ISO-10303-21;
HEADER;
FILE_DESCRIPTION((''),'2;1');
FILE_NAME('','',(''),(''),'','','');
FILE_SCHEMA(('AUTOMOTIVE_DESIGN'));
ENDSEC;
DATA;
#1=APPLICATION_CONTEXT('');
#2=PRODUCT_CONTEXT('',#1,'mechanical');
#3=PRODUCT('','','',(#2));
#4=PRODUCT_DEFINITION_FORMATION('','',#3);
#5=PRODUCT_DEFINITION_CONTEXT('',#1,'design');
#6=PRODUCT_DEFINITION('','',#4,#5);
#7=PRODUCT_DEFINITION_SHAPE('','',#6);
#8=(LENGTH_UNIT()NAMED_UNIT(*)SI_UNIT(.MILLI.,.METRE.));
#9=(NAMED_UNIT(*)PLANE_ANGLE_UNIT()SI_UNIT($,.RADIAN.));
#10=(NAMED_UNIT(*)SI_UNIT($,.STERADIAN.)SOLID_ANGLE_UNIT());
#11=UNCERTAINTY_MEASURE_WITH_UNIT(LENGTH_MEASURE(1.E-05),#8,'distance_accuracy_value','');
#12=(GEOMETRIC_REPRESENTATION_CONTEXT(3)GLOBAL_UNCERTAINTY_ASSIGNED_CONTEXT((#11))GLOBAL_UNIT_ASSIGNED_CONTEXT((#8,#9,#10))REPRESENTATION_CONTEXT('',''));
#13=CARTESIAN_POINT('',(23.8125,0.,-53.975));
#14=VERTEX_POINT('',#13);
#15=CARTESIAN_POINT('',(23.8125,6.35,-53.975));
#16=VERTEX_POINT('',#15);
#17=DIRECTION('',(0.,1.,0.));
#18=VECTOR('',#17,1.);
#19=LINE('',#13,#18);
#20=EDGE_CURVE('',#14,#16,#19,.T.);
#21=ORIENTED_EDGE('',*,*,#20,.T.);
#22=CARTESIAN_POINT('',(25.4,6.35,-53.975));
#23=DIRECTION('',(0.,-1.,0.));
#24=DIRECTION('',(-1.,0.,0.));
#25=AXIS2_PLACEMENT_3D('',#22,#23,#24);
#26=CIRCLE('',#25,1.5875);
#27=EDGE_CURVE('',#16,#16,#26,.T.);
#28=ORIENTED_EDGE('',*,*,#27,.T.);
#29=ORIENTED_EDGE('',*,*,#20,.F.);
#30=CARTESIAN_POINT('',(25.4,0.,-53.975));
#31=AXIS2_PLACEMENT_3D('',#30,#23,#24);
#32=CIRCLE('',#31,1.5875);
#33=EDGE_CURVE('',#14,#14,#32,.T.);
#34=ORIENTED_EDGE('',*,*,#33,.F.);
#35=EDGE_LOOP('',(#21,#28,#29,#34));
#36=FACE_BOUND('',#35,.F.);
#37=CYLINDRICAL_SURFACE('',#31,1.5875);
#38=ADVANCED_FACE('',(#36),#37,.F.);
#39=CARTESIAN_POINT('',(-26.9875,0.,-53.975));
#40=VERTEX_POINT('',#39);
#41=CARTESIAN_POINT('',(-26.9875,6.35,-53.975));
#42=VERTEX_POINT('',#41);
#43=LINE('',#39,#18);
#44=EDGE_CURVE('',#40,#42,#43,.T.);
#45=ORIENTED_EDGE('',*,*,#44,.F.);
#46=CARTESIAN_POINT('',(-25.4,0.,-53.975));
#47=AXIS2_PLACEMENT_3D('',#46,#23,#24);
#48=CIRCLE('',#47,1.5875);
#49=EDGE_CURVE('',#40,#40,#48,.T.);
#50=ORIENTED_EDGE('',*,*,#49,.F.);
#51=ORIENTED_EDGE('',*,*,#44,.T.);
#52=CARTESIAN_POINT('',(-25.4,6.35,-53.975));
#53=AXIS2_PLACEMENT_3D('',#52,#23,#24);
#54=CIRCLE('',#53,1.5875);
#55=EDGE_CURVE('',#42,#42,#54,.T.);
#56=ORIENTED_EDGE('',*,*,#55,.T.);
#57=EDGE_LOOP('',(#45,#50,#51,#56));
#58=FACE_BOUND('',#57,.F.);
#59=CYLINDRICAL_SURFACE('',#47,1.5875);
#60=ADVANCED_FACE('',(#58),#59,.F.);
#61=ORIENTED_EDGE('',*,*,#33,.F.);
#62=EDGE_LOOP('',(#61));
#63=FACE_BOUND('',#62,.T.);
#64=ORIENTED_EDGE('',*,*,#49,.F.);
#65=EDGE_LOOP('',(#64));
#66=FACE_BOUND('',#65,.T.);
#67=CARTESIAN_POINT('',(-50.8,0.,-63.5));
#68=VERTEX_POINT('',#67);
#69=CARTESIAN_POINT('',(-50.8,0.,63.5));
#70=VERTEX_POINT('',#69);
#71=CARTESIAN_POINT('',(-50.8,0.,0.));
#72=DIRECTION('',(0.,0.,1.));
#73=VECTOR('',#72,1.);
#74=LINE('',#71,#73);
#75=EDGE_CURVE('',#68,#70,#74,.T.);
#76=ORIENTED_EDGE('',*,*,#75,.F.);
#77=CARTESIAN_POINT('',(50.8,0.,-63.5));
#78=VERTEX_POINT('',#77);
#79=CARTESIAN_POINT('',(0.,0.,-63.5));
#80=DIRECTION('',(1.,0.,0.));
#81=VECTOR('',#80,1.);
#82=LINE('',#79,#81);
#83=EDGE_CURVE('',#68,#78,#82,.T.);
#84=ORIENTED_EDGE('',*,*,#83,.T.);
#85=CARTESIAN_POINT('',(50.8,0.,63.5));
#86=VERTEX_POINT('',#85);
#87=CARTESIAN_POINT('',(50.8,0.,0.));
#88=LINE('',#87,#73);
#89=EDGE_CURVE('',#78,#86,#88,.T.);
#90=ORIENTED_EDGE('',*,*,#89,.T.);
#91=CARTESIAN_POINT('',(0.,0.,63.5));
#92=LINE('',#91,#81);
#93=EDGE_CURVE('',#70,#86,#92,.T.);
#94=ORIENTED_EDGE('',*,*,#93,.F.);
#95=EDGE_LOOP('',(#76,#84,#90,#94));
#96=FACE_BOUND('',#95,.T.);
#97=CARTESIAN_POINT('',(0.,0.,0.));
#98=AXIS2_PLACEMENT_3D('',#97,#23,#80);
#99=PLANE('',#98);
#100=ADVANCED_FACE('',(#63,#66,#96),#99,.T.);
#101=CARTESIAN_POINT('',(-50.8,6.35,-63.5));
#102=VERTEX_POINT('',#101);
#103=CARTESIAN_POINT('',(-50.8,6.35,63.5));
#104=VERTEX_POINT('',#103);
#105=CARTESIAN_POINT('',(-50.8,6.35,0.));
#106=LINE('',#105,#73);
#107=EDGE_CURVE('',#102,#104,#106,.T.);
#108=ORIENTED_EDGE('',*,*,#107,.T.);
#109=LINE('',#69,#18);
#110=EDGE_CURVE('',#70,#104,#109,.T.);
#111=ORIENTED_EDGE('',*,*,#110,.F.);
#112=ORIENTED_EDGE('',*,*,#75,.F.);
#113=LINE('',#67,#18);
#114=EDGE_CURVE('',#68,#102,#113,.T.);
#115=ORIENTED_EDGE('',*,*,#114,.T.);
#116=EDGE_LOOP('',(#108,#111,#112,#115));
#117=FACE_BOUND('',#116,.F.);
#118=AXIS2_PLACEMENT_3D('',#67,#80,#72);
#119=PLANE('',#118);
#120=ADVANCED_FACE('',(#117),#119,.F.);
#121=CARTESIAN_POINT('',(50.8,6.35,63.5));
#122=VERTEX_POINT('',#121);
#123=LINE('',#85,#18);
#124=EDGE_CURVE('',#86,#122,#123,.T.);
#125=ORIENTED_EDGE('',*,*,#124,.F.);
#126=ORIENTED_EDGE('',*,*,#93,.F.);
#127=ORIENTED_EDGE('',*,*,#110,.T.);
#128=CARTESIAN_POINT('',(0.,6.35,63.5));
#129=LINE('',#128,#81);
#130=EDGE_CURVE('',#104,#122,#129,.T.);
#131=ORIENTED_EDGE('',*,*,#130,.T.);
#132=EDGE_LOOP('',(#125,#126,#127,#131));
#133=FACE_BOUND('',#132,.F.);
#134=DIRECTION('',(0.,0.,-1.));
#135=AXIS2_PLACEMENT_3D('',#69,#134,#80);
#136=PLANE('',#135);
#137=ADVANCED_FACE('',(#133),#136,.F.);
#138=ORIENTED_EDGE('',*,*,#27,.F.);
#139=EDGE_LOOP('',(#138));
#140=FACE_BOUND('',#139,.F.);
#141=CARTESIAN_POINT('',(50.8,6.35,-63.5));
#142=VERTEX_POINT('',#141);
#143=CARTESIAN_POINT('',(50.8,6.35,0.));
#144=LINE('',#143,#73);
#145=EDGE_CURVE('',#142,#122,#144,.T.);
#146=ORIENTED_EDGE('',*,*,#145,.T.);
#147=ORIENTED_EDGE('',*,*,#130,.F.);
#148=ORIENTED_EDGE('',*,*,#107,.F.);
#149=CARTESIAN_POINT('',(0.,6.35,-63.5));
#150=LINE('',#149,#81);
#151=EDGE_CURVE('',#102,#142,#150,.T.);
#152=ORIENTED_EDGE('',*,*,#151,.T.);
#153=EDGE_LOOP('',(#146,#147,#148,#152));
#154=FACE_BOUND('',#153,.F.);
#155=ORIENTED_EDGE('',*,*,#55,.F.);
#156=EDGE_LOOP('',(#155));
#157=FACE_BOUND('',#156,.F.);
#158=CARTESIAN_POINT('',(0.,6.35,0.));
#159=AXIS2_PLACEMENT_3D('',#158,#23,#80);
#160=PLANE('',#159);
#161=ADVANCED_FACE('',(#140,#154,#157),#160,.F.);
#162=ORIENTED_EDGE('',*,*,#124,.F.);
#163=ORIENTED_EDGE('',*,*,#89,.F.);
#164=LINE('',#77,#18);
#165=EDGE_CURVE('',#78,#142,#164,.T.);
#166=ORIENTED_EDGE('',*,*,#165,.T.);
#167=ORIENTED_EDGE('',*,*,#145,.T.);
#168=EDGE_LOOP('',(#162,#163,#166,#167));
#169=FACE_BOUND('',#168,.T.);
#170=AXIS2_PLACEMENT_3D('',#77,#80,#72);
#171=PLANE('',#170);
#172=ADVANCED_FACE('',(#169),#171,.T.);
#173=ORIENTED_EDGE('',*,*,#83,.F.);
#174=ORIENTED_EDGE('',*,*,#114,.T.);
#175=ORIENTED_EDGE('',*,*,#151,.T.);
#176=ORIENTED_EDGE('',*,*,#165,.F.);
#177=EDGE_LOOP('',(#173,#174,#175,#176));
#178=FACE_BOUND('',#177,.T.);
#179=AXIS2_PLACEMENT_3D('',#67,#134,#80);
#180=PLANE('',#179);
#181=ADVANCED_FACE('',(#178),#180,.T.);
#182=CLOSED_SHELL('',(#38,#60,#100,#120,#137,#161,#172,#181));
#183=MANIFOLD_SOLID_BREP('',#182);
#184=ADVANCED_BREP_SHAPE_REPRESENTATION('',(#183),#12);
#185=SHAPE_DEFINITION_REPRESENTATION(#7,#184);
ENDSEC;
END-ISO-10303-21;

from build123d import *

# Parameters (mm, degrees)
F0_W     = 101.6
F0_H     = 127
F1_DEPTH = 6.35
F3_DEPTH = 6.351


with BuildPart() as f1:
    # F0 (on Front) → F1 (new body)
    with BuildSketch(Plane.XZ):
        Rectangle(F0_W, F0_H)
    extrude(amount=-F1_DEPTH)

    # F2 (on Front) → F3 (cut, through all)
    with BuildSketch(Plane.XZ):
        with BuildLine():
            Line((-26.9875, -53.975), (-23.8125, -53.975))
            ThreePointArc((-23.8125, -53.975), (-25.4, -52.3875), (-26.9875, -53.975))
        make_face()
        with BuildLine():
            ThreePointArc((26.9875, -53.975), (25.4, -52.3875), (23.8125, -53.975))
            Line((23.8125, -53.975), (26.9875, -53.975))
        make_face()
        with BuildLine():
            Line((26.9875, -53.975), (23.8125, -53.975))
            ThreePointArc((23.8125, -53.975), (25.4, -55.5625), (26.9875, -53.975))
        make_face()
        with BuildLine():
            ThreePointArc((-26.9875, -53.975), (-25.4, -55.5625), (-23.8125, -53.975))
            Line((-23.8125, -53.975), (-26.9875, -53.975))
        make_face()
    extrude(amount=-F3_DEPTH, mode=Mode.SUBTRACT)


solid = f1.part
